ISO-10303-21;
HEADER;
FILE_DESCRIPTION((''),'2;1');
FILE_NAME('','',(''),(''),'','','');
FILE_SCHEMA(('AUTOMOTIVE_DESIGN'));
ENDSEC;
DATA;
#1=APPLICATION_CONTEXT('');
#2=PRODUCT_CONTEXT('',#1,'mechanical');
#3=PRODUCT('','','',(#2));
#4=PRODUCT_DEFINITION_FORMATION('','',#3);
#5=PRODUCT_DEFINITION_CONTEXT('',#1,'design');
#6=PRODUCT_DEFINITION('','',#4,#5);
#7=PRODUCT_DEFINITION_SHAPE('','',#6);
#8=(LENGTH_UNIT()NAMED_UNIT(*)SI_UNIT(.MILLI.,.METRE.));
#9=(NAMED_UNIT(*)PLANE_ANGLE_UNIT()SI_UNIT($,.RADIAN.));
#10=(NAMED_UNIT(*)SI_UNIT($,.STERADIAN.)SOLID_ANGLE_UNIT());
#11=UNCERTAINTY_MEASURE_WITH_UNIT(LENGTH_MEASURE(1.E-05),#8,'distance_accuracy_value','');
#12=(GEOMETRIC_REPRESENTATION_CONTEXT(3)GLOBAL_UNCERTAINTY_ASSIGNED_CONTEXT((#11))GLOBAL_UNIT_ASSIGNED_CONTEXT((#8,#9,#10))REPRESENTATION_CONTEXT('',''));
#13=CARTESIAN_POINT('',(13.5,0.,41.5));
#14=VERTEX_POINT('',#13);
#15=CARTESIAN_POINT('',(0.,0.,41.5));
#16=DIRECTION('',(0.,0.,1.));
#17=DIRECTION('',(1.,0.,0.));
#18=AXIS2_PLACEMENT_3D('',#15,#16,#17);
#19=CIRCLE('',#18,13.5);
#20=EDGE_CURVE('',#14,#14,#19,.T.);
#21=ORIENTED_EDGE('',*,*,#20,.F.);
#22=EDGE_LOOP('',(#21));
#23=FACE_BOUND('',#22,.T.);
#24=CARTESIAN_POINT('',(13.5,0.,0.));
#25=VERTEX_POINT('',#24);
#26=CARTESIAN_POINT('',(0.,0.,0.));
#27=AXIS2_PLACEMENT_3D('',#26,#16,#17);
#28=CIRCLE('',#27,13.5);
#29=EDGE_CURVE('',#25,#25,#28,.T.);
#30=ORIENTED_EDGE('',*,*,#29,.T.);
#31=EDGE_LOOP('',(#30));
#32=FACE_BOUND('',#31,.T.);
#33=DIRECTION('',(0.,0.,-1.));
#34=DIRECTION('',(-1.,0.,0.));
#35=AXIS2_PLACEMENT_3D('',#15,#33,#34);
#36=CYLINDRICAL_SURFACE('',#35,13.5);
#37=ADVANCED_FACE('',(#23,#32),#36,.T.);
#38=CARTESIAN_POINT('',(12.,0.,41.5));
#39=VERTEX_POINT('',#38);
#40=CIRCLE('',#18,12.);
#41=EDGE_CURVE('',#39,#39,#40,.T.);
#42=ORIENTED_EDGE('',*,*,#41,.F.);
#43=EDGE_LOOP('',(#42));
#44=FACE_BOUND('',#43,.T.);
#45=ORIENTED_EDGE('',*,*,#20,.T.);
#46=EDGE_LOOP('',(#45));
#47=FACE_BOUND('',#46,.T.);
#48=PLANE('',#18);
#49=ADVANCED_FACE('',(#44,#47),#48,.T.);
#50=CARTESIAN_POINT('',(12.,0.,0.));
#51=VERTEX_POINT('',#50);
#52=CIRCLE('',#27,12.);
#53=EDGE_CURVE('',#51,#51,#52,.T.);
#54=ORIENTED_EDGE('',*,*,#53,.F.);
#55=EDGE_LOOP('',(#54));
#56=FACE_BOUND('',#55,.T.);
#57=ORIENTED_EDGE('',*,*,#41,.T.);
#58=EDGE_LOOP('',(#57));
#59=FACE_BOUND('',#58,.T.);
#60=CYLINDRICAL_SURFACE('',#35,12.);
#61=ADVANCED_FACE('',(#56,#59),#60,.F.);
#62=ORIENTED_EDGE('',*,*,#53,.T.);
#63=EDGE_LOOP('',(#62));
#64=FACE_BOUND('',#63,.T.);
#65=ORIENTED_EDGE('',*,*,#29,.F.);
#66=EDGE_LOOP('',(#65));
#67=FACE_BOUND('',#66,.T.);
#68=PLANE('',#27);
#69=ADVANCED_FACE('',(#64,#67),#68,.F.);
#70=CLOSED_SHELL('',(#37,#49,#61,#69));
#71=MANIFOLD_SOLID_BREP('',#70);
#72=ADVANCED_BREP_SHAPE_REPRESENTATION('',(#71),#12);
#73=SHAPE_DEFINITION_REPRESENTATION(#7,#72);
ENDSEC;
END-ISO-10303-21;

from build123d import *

# Parameters (mm, degrees)
SZKIC1_R                    = 13.5
SZKIC1_R_2                  = 12
DODANIE_WYCI_GNI_CIE1_DEPTH = 41.5


with BuildPart() as part:
    # Szkic1 → Dodanie-wyciągnięcie1 (new body)
    with BuildSketch(Plane.XY):
        Circle(SZKIC1_R)
        Circle(SZKIC1_R_2, mode=Mode.SUBTRACT)
    extrude(amount=DODANIE_WYCI_GNI_CIE1_DEPTH)


solid = part.part
